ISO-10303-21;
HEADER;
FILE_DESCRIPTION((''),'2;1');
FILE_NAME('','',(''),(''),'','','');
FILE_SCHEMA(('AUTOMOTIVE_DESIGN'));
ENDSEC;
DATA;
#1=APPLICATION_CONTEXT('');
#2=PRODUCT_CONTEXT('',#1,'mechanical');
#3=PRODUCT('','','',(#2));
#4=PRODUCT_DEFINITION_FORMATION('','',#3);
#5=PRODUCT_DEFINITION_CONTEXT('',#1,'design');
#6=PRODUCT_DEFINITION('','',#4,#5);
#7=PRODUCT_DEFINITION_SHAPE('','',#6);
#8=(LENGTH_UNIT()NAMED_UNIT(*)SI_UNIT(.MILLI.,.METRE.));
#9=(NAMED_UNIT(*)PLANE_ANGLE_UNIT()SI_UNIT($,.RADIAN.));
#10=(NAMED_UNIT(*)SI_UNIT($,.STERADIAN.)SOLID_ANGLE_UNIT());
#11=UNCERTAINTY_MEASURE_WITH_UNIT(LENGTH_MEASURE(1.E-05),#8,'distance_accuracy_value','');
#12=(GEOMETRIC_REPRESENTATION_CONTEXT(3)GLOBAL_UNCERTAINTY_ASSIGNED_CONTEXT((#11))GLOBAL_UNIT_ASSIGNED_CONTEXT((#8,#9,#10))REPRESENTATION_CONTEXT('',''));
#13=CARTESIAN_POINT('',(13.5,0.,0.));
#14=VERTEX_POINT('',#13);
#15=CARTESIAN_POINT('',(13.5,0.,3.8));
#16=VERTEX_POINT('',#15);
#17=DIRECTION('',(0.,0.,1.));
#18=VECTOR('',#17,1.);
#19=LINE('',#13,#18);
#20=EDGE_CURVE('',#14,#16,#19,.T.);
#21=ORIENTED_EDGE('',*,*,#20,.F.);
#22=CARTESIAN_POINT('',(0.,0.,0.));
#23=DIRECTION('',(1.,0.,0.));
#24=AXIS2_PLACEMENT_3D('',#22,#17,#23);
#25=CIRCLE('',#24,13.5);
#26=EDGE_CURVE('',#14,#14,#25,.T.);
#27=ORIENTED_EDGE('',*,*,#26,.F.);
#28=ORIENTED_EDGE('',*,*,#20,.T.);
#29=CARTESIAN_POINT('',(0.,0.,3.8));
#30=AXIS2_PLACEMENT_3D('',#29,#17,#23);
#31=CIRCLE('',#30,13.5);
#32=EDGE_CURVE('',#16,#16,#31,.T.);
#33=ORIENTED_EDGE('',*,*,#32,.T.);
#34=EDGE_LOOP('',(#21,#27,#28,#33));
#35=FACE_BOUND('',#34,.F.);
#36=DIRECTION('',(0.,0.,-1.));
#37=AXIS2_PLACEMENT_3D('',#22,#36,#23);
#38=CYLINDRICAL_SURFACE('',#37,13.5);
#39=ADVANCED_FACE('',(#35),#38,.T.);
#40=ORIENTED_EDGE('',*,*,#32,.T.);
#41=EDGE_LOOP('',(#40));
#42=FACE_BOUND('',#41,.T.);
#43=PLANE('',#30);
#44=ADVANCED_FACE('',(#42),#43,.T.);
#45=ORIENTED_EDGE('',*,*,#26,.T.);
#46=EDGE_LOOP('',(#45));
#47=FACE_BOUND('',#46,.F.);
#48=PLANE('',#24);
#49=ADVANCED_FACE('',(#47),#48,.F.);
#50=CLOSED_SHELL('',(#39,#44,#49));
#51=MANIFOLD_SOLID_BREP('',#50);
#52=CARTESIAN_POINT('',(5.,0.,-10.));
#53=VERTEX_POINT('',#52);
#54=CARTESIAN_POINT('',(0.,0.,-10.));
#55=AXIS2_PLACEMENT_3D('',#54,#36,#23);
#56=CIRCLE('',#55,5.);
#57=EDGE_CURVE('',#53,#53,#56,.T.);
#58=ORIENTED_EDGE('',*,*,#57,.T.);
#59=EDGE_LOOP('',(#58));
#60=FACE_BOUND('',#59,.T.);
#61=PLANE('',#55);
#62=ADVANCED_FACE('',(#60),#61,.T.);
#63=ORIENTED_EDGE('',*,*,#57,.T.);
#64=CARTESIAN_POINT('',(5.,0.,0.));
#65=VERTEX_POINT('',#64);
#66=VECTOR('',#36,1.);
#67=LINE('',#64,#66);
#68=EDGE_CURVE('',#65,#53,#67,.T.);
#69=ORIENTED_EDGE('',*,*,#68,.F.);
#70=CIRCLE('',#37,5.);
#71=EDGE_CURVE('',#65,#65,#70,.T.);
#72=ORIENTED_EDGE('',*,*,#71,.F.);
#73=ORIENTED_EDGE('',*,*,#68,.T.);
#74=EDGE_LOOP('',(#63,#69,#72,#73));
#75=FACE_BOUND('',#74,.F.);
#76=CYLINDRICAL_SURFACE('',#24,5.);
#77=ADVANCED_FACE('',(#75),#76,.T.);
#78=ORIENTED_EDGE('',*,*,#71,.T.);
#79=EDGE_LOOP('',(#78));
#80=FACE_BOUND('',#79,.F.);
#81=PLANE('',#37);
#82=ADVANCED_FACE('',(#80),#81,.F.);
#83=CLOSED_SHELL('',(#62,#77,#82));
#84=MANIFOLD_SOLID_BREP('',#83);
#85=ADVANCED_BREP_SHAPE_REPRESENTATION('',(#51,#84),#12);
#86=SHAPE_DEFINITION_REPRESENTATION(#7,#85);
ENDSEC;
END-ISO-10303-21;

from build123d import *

# Parameters (mm, degrees)
F0_R     = 13.5
F1_DEPTH = 3.8
F2_R     = 5
F3_DEPTH = 10


with BuildPart() as f1:
    # F0 (on Top) → F1 (new body)
    with BuildSketch(Plane.XY):
        Circle(F0_R)
    extrude(amount=F1_DEPTH)


with BuildPart() as f3:
    # F2 (on face) → F3 (new body)
    with BuildSketch(Plane(origin=(0, 0, 0), x_dir=(1, 0, 0), z_dir=(0, 0, -1))):
        Circle(F2_R)
    extrude(amount=F3_DEPTH)


solid = Compound([f1.part, f3.part])
